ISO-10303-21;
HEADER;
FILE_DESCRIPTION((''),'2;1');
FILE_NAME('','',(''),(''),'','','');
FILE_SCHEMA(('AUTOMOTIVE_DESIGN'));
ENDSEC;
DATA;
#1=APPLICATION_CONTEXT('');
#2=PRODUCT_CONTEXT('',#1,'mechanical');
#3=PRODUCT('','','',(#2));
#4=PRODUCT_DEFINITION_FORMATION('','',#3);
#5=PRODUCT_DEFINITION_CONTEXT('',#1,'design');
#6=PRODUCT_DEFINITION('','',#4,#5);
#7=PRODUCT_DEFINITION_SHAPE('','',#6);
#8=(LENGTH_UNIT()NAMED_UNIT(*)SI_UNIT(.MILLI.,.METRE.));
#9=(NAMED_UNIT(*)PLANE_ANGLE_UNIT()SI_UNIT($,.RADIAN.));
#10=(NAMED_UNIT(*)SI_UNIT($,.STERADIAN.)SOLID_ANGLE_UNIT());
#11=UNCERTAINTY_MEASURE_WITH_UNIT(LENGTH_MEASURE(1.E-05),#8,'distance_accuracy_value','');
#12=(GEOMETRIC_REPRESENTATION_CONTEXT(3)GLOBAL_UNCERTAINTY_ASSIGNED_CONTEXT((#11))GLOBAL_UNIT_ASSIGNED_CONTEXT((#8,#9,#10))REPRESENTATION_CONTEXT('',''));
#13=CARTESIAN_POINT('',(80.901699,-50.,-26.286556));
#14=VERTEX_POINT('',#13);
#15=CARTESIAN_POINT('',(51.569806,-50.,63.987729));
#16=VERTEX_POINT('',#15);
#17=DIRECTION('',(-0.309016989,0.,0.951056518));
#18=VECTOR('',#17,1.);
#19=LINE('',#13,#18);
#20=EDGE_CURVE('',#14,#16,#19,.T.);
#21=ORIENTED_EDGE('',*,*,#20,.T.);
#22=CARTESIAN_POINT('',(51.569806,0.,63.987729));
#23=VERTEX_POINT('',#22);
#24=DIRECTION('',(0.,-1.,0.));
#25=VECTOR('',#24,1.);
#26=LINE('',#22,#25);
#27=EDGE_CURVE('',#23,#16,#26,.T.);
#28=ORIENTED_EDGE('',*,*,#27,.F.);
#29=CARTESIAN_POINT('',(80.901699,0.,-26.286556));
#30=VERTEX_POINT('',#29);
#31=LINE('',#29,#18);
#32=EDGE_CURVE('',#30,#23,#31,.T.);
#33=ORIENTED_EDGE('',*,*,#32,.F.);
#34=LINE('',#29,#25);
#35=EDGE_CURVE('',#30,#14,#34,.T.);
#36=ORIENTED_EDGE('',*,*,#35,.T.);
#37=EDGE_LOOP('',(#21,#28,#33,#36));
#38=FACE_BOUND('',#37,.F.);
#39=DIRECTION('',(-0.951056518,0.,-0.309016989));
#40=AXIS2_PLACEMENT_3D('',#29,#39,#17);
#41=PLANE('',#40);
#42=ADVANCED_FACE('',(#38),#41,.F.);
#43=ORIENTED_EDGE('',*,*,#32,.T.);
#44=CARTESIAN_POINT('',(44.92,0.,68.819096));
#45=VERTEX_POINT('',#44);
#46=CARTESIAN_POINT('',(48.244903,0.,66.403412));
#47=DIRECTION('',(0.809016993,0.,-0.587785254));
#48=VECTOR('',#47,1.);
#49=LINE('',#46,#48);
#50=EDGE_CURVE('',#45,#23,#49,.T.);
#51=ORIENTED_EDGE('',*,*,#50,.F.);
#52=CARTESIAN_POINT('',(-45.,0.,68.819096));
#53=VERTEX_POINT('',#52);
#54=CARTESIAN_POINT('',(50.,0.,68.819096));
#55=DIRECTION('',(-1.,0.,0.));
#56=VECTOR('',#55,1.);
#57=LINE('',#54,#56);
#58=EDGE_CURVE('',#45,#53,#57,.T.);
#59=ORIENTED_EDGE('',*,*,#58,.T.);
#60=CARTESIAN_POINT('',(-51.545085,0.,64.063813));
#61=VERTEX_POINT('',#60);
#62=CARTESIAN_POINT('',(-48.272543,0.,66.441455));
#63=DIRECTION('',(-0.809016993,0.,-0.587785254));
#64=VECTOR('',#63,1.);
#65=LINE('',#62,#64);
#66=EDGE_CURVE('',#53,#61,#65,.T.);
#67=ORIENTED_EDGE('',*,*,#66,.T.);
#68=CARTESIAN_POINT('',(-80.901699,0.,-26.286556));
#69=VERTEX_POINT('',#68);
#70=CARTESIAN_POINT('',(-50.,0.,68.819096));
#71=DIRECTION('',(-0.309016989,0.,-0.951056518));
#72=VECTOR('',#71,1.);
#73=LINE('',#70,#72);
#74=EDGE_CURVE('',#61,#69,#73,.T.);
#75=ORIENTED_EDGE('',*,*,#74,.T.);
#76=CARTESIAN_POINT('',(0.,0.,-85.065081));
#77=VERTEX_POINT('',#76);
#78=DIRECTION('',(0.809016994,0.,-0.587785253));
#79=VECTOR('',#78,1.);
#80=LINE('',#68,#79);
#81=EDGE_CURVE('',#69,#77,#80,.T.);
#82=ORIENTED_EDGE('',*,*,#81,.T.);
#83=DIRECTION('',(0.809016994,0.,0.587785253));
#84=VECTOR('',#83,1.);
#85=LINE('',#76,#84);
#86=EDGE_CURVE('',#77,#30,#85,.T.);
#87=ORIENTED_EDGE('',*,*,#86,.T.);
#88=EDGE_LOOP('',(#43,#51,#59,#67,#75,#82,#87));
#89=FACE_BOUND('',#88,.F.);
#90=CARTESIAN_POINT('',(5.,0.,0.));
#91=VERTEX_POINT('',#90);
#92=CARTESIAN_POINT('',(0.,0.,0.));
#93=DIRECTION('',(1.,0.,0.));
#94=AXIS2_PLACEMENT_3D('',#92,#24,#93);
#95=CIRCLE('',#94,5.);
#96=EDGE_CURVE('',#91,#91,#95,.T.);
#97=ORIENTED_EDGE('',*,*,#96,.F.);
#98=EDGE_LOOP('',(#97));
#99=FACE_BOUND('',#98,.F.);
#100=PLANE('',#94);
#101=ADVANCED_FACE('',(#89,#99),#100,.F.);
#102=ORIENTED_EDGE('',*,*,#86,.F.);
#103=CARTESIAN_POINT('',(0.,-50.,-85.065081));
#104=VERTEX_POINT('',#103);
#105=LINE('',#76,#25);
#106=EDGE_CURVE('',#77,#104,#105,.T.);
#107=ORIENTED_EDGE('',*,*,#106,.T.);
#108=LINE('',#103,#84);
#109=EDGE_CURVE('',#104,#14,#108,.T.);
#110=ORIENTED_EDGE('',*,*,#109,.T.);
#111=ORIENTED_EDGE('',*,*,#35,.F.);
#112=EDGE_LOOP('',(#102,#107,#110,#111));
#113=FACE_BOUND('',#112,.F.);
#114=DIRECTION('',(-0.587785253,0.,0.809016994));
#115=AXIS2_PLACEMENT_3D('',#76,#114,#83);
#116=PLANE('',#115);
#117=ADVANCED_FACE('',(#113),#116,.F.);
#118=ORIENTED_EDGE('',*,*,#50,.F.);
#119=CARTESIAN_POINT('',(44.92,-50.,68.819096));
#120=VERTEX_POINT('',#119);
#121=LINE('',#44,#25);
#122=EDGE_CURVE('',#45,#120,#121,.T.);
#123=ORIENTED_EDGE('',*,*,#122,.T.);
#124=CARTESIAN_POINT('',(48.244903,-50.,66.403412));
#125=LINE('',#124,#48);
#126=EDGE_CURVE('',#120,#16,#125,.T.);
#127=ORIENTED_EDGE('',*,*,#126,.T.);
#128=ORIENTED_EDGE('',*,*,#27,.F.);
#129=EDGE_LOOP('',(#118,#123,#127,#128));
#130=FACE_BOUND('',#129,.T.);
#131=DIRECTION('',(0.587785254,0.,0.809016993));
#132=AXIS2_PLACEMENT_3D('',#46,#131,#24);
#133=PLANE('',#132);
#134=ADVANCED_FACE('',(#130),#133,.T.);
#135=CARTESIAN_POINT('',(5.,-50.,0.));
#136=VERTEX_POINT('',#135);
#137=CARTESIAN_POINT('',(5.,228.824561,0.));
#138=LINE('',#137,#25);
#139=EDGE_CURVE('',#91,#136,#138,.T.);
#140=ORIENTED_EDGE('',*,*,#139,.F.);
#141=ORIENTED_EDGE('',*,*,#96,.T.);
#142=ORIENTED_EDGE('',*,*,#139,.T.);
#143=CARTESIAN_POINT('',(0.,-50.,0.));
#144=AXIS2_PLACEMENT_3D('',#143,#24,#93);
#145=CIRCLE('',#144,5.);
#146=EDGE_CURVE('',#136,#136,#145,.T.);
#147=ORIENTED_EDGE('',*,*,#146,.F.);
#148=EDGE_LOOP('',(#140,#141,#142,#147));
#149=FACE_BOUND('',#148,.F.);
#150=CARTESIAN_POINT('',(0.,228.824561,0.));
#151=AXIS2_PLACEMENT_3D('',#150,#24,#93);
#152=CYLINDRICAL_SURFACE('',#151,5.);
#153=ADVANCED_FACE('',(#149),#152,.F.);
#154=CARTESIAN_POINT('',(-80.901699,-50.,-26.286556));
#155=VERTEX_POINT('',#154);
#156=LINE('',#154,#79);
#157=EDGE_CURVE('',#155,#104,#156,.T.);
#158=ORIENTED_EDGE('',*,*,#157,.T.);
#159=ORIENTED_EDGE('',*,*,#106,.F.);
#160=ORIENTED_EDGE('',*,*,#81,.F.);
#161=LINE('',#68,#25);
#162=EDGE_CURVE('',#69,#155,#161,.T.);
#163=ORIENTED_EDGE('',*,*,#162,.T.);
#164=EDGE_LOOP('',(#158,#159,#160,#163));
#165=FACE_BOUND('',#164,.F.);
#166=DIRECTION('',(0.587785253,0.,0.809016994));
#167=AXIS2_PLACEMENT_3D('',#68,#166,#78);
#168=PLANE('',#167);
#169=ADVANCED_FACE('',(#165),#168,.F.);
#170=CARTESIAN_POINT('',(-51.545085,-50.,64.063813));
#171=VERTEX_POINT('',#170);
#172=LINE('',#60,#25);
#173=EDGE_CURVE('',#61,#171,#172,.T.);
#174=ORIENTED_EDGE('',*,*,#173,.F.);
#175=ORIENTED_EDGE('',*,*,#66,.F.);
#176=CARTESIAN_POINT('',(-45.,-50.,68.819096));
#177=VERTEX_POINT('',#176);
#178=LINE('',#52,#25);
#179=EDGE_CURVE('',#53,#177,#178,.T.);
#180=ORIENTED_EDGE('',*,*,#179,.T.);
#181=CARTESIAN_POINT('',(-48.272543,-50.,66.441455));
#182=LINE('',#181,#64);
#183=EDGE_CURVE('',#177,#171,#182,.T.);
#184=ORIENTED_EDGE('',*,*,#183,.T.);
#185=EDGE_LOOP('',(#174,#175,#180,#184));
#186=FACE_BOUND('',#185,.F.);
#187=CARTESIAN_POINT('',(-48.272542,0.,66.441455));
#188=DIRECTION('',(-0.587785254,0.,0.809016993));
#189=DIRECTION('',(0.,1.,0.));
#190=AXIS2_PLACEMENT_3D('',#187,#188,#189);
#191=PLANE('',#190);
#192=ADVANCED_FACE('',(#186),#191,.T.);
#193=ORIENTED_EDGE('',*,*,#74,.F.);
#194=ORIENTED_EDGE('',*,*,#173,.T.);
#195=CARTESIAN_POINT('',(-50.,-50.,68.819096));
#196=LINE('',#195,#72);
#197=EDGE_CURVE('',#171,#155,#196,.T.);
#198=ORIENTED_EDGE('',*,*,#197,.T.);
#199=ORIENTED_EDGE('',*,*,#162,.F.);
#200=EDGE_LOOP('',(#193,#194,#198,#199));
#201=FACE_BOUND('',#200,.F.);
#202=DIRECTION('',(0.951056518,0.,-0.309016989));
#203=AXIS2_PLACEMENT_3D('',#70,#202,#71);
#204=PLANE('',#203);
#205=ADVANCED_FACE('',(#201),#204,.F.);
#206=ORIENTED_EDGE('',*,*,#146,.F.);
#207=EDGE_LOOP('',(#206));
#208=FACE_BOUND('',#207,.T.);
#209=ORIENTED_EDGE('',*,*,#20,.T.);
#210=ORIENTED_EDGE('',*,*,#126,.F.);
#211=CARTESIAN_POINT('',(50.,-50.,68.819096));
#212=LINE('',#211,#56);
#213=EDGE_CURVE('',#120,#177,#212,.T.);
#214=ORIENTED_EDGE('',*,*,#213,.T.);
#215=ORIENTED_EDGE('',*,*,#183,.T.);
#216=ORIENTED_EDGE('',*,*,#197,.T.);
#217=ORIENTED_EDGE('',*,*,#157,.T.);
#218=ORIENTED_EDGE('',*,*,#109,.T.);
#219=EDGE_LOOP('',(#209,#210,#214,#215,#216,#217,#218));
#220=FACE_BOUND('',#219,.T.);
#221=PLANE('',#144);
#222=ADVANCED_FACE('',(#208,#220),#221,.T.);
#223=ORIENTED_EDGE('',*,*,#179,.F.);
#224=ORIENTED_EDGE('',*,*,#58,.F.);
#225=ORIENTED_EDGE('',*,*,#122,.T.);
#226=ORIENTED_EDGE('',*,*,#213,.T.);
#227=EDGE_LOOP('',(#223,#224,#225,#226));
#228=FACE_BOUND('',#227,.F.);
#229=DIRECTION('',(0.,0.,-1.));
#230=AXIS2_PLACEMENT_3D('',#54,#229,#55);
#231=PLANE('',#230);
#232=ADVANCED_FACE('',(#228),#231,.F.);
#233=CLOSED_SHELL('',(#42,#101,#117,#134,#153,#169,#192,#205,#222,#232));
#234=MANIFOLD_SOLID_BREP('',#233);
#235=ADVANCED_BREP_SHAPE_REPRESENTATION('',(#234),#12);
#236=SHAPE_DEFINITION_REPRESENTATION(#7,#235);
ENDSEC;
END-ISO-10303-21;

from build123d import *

# Parameters (mm, degrees)
F1_DEPTH = 50
F3_D     = 10
F4_SIZE  = 5
F5_SIZE  = 5.08


with BuildPart() as f1:
    # F0 (on Front) → F1 (new body)
    with BuildSketch(Plane.XZ):
        Polygon((50, 68.819096), (-50, 68.819096), (-80.901699, -26.286556), (0, -85.065081), (80.901699, -26.286556), align=None)
    extrude(amount=F1_DEPTH)

    # F3 (through all)
    with Locations(Plane(origin=(0, 0, 0), x_dir=(-1, 0, 0), z_dir=(0, 1, 0))):
        with Locations((0, 0)):
            Hole(F3_D / 2)

    # F4
    f4_edges = [f1.edges().sort_by_distance(p)[0] for p in [
        (-50, -25, 68.819096),
    ]]
    chamfer(f4_edges, length=F4_SIZE)

    # F5
    f5_edges = [f1.edges().sort_by_distance(p)[0] for p in [
        (50, -25, 68.819096),
    ]]
    chamfer(f5_edges, length=F5_SIZE)


solid = f1.part
